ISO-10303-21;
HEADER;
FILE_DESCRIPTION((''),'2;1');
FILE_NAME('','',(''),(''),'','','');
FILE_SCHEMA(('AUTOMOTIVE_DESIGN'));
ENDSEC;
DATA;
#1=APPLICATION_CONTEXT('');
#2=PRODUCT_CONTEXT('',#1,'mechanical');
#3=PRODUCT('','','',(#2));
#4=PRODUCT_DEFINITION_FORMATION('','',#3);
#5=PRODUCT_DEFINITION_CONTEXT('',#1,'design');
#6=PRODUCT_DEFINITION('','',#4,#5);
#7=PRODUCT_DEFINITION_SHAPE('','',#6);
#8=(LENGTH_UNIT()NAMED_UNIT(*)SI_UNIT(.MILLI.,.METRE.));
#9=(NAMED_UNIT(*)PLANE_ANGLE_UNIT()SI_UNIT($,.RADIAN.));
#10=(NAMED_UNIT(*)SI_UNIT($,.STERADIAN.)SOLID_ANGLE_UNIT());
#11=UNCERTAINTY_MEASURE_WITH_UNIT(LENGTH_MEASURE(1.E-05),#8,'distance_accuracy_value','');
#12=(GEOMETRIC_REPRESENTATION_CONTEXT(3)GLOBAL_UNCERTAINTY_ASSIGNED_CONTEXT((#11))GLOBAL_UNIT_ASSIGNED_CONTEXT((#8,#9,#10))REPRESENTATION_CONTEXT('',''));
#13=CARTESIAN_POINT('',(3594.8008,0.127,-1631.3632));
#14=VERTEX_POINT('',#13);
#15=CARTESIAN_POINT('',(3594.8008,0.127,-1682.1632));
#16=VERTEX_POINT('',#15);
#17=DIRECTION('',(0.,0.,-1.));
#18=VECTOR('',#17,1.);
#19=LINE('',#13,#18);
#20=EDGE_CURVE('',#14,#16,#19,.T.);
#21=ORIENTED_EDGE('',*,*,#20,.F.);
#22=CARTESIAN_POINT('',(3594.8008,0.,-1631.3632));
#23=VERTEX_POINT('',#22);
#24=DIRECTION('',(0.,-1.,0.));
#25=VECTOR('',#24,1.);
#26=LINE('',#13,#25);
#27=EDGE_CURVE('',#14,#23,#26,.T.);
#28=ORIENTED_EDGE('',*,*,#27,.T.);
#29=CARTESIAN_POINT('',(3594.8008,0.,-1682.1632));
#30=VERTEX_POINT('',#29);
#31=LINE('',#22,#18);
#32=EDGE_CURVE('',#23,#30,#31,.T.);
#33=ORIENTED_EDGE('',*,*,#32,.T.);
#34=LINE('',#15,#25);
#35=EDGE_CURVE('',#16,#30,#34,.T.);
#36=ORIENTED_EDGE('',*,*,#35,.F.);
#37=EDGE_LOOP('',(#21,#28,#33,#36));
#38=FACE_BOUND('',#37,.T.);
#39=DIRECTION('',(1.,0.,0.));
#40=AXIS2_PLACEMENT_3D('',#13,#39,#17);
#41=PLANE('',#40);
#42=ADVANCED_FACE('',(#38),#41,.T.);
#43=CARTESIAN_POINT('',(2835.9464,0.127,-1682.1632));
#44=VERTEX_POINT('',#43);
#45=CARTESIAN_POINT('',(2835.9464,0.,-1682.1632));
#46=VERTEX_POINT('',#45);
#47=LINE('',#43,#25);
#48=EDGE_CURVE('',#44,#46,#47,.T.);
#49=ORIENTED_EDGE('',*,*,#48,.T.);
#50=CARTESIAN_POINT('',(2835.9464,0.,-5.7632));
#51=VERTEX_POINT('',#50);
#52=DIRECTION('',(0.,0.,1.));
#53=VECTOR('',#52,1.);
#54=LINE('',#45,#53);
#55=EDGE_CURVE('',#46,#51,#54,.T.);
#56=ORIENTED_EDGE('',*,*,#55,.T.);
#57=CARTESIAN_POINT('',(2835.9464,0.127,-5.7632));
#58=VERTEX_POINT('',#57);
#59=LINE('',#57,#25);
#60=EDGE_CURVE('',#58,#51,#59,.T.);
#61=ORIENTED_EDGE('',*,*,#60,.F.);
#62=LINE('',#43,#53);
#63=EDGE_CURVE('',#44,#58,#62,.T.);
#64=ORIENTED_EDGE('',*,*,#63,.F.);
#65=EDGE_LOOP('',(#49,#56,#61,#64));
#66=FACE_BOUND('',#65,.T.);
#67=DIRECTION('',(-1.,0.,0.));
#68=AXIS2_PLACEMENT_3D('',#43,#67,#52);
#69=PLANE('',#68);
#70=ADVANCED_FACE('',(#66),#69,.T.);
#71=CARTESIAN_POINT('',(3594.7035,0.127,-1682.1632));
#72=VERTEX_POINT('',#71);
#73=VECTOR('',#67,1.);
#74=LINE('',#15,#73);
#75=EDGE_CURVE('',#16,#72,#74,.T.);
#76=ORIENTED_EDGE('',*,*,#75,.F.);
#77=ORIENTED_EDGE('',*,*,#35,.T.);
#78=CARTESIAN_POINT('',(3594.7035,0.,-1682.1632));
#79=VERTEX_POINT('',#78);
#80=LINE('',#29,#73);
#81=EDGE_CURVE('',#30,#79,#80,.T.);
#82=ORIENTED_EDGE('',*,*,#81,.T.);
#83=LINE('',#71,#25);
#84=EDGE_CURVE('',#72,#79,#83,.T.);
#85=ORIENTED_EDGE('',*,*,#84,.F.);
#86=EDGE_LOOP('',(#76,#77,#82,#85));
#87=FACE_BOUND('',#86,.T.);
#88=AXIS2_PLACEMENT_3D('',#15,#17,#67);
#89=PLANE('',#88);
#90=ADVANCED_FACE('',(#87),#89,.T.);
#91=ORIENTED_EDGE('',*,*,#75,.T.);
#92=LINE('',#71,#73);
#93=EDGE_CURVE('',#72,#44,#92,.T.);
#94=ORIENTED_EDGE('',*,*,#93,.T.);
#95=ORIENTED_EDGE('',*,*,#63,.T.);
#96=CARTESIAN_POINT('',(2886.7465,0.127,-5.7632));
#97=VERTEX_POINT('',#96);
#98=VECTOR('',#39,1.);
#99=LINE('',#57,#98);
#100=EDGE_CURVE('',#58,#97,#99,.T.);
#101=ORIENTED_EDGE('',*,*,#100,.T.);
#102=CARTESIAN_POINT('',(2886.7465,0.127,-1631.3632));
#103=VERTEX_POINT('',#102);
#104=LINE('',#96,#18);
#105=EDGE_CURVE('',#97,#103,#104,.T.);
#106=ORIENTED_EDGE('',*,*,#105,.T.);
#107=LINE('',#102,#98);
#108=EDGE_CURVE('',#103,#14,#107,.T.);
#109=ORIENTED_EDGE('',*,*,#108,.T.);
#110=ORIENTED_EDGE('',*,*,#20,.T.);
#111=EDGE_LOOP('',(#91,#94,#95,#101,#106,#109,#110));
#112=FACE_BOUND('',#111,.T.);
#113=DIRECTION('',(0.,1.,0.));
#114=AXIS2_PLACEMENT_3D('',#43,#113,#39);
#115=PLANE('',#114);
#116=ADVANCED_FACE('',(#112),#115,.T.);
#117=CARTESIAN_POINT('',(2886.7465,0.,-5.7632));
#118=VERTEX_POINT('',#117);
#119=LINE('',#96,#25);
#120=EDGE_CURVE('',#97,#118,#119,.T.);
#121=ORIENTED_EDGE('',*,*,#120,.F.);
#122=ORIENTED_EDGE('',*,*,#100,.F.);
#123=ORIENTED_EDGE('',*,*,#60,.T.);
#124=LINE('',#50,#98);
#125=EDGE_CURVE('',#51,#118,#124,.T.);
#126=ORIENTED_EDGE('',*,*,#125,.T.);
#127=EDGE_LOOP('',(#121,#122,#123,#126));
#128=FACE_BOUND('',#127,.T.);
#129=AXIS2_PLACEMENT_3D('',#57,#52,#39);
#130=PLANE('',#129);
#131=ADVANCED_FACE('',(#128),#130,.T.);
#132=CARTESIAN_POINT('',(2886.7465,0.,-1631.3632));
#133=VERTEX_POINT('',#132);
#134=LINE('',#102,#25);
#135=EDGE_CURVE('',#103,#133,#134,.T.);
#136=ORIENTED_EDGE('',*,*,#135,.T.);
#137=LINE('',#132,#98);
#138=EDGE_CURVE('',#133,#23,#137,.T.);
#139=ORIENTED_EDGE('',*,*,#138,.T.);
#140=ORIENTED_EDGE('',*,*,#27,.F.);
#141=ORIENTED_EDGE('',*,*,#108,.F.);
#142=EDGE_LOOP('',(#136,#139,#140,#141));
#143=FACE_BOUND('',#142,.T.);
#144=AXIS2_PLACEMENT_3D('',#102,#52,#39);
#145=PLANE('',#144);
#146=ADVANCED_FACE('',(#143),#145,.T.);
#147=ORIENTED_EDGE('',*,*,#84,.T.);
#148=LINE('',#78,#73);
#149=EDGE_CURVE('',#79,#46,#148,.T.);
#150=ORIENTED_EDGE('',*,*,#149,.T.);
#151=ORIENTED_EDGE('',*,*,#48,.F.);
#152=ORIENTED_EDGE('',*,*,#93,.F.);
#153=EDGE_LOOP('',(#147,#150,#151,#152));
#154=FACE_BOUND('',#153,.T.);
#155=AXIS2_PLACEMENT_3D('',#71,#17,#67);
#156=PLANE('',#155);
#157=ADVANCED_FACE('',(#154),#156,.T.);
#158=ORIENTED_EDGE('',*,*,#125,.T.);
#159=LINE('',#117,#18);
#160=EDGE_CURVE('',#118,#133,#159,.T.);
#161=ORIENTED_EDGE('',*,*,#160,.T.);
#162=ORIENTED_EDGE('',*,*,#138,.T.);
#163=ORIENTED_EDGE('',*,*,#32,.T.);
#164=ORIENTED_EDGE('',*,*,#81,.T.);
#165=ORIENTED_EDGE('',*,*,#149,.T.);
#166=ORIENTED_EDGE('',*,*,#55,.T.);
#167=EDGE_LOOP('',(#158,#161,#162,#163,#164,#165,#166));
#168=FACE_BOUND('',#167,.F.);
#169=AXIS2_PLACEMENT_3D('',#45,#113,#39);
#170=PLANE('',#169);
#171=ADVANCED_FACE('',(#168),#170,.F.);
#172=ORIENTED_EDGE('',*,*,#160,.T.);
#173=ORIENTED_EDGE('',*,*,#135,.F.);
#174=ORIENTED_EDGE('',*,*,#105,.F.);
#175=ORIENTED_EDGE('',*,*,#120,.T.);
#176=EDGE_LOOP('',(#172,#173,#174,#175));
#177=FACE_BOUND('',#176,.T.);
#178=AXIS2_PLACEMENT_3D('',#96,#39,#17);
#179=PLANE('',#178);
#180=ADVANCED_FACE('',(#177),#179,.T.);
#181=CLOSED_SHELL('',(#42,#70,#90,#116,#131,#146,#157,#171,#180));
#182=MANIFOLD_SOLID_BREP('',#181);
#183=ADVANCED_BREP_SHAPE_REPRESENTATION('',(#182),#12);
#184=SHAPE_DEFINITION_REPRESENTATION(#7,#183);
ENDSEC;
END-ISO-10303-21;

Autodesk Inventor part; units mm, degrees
ref_plane "YZ Plane" through (0, 0, 0) normal (1, 0, 0) x (0, 1, 0)
ref_plane "XZ Plane" through (0, 0, 0) normal (0, 1, 0) x (-1, 0, 0)
ref_plane "XY Plane" through (0, 0, 0) normal (0, 0, 1) x (1, 0, 0)
sketch "Sketch1" plane through (2835.9464, 0.127, -1682.1632) normal (0, 1, 0) x (1, 0, 0)
  line L0 (0, -1676.4) -> (50.8001, -1676.4) projected
  line L1 (50.8001, -1676.4) -> (50.8001, -50.8) projected
  line L2 (50.8001, -50.8) -> (758.8544, -50.8) projected
  line L3 (758.8544, -50.8) -> (758.7571, 0) construction
  line L4 (758.7571, 0) -> (0, 0) projected
  line L5 (0, 0) -> (0, -1676.4) projected
  line L6 (758.8544, -50.8) -> (758.8544, 0)
  line L7 (758.8544, -50.8) -> (809.6544, -50.8) construction
  line L8 (758.8544, 0) -> (0, 0)
  line L9 (0, 0) -> (0, -1676.4)
  line L10 (0, -1676.4) -> (50.8001, -1676.4)
  line L11 (50.8001, -1676.4) -> (50.8001, -50.8)
  line L12 (50.8001, -50.8) -> (758.8544, -50.8)
  point P0 (-2835.9464, -1682.1632)
  dimension "d0" = 90
  dimension "d1" = 90
  dimension "d2" = 90
extrude "Extrusion1" add sketch "Sketch1" against normal blind 0.127
properties part number "protected zone tape Red"
